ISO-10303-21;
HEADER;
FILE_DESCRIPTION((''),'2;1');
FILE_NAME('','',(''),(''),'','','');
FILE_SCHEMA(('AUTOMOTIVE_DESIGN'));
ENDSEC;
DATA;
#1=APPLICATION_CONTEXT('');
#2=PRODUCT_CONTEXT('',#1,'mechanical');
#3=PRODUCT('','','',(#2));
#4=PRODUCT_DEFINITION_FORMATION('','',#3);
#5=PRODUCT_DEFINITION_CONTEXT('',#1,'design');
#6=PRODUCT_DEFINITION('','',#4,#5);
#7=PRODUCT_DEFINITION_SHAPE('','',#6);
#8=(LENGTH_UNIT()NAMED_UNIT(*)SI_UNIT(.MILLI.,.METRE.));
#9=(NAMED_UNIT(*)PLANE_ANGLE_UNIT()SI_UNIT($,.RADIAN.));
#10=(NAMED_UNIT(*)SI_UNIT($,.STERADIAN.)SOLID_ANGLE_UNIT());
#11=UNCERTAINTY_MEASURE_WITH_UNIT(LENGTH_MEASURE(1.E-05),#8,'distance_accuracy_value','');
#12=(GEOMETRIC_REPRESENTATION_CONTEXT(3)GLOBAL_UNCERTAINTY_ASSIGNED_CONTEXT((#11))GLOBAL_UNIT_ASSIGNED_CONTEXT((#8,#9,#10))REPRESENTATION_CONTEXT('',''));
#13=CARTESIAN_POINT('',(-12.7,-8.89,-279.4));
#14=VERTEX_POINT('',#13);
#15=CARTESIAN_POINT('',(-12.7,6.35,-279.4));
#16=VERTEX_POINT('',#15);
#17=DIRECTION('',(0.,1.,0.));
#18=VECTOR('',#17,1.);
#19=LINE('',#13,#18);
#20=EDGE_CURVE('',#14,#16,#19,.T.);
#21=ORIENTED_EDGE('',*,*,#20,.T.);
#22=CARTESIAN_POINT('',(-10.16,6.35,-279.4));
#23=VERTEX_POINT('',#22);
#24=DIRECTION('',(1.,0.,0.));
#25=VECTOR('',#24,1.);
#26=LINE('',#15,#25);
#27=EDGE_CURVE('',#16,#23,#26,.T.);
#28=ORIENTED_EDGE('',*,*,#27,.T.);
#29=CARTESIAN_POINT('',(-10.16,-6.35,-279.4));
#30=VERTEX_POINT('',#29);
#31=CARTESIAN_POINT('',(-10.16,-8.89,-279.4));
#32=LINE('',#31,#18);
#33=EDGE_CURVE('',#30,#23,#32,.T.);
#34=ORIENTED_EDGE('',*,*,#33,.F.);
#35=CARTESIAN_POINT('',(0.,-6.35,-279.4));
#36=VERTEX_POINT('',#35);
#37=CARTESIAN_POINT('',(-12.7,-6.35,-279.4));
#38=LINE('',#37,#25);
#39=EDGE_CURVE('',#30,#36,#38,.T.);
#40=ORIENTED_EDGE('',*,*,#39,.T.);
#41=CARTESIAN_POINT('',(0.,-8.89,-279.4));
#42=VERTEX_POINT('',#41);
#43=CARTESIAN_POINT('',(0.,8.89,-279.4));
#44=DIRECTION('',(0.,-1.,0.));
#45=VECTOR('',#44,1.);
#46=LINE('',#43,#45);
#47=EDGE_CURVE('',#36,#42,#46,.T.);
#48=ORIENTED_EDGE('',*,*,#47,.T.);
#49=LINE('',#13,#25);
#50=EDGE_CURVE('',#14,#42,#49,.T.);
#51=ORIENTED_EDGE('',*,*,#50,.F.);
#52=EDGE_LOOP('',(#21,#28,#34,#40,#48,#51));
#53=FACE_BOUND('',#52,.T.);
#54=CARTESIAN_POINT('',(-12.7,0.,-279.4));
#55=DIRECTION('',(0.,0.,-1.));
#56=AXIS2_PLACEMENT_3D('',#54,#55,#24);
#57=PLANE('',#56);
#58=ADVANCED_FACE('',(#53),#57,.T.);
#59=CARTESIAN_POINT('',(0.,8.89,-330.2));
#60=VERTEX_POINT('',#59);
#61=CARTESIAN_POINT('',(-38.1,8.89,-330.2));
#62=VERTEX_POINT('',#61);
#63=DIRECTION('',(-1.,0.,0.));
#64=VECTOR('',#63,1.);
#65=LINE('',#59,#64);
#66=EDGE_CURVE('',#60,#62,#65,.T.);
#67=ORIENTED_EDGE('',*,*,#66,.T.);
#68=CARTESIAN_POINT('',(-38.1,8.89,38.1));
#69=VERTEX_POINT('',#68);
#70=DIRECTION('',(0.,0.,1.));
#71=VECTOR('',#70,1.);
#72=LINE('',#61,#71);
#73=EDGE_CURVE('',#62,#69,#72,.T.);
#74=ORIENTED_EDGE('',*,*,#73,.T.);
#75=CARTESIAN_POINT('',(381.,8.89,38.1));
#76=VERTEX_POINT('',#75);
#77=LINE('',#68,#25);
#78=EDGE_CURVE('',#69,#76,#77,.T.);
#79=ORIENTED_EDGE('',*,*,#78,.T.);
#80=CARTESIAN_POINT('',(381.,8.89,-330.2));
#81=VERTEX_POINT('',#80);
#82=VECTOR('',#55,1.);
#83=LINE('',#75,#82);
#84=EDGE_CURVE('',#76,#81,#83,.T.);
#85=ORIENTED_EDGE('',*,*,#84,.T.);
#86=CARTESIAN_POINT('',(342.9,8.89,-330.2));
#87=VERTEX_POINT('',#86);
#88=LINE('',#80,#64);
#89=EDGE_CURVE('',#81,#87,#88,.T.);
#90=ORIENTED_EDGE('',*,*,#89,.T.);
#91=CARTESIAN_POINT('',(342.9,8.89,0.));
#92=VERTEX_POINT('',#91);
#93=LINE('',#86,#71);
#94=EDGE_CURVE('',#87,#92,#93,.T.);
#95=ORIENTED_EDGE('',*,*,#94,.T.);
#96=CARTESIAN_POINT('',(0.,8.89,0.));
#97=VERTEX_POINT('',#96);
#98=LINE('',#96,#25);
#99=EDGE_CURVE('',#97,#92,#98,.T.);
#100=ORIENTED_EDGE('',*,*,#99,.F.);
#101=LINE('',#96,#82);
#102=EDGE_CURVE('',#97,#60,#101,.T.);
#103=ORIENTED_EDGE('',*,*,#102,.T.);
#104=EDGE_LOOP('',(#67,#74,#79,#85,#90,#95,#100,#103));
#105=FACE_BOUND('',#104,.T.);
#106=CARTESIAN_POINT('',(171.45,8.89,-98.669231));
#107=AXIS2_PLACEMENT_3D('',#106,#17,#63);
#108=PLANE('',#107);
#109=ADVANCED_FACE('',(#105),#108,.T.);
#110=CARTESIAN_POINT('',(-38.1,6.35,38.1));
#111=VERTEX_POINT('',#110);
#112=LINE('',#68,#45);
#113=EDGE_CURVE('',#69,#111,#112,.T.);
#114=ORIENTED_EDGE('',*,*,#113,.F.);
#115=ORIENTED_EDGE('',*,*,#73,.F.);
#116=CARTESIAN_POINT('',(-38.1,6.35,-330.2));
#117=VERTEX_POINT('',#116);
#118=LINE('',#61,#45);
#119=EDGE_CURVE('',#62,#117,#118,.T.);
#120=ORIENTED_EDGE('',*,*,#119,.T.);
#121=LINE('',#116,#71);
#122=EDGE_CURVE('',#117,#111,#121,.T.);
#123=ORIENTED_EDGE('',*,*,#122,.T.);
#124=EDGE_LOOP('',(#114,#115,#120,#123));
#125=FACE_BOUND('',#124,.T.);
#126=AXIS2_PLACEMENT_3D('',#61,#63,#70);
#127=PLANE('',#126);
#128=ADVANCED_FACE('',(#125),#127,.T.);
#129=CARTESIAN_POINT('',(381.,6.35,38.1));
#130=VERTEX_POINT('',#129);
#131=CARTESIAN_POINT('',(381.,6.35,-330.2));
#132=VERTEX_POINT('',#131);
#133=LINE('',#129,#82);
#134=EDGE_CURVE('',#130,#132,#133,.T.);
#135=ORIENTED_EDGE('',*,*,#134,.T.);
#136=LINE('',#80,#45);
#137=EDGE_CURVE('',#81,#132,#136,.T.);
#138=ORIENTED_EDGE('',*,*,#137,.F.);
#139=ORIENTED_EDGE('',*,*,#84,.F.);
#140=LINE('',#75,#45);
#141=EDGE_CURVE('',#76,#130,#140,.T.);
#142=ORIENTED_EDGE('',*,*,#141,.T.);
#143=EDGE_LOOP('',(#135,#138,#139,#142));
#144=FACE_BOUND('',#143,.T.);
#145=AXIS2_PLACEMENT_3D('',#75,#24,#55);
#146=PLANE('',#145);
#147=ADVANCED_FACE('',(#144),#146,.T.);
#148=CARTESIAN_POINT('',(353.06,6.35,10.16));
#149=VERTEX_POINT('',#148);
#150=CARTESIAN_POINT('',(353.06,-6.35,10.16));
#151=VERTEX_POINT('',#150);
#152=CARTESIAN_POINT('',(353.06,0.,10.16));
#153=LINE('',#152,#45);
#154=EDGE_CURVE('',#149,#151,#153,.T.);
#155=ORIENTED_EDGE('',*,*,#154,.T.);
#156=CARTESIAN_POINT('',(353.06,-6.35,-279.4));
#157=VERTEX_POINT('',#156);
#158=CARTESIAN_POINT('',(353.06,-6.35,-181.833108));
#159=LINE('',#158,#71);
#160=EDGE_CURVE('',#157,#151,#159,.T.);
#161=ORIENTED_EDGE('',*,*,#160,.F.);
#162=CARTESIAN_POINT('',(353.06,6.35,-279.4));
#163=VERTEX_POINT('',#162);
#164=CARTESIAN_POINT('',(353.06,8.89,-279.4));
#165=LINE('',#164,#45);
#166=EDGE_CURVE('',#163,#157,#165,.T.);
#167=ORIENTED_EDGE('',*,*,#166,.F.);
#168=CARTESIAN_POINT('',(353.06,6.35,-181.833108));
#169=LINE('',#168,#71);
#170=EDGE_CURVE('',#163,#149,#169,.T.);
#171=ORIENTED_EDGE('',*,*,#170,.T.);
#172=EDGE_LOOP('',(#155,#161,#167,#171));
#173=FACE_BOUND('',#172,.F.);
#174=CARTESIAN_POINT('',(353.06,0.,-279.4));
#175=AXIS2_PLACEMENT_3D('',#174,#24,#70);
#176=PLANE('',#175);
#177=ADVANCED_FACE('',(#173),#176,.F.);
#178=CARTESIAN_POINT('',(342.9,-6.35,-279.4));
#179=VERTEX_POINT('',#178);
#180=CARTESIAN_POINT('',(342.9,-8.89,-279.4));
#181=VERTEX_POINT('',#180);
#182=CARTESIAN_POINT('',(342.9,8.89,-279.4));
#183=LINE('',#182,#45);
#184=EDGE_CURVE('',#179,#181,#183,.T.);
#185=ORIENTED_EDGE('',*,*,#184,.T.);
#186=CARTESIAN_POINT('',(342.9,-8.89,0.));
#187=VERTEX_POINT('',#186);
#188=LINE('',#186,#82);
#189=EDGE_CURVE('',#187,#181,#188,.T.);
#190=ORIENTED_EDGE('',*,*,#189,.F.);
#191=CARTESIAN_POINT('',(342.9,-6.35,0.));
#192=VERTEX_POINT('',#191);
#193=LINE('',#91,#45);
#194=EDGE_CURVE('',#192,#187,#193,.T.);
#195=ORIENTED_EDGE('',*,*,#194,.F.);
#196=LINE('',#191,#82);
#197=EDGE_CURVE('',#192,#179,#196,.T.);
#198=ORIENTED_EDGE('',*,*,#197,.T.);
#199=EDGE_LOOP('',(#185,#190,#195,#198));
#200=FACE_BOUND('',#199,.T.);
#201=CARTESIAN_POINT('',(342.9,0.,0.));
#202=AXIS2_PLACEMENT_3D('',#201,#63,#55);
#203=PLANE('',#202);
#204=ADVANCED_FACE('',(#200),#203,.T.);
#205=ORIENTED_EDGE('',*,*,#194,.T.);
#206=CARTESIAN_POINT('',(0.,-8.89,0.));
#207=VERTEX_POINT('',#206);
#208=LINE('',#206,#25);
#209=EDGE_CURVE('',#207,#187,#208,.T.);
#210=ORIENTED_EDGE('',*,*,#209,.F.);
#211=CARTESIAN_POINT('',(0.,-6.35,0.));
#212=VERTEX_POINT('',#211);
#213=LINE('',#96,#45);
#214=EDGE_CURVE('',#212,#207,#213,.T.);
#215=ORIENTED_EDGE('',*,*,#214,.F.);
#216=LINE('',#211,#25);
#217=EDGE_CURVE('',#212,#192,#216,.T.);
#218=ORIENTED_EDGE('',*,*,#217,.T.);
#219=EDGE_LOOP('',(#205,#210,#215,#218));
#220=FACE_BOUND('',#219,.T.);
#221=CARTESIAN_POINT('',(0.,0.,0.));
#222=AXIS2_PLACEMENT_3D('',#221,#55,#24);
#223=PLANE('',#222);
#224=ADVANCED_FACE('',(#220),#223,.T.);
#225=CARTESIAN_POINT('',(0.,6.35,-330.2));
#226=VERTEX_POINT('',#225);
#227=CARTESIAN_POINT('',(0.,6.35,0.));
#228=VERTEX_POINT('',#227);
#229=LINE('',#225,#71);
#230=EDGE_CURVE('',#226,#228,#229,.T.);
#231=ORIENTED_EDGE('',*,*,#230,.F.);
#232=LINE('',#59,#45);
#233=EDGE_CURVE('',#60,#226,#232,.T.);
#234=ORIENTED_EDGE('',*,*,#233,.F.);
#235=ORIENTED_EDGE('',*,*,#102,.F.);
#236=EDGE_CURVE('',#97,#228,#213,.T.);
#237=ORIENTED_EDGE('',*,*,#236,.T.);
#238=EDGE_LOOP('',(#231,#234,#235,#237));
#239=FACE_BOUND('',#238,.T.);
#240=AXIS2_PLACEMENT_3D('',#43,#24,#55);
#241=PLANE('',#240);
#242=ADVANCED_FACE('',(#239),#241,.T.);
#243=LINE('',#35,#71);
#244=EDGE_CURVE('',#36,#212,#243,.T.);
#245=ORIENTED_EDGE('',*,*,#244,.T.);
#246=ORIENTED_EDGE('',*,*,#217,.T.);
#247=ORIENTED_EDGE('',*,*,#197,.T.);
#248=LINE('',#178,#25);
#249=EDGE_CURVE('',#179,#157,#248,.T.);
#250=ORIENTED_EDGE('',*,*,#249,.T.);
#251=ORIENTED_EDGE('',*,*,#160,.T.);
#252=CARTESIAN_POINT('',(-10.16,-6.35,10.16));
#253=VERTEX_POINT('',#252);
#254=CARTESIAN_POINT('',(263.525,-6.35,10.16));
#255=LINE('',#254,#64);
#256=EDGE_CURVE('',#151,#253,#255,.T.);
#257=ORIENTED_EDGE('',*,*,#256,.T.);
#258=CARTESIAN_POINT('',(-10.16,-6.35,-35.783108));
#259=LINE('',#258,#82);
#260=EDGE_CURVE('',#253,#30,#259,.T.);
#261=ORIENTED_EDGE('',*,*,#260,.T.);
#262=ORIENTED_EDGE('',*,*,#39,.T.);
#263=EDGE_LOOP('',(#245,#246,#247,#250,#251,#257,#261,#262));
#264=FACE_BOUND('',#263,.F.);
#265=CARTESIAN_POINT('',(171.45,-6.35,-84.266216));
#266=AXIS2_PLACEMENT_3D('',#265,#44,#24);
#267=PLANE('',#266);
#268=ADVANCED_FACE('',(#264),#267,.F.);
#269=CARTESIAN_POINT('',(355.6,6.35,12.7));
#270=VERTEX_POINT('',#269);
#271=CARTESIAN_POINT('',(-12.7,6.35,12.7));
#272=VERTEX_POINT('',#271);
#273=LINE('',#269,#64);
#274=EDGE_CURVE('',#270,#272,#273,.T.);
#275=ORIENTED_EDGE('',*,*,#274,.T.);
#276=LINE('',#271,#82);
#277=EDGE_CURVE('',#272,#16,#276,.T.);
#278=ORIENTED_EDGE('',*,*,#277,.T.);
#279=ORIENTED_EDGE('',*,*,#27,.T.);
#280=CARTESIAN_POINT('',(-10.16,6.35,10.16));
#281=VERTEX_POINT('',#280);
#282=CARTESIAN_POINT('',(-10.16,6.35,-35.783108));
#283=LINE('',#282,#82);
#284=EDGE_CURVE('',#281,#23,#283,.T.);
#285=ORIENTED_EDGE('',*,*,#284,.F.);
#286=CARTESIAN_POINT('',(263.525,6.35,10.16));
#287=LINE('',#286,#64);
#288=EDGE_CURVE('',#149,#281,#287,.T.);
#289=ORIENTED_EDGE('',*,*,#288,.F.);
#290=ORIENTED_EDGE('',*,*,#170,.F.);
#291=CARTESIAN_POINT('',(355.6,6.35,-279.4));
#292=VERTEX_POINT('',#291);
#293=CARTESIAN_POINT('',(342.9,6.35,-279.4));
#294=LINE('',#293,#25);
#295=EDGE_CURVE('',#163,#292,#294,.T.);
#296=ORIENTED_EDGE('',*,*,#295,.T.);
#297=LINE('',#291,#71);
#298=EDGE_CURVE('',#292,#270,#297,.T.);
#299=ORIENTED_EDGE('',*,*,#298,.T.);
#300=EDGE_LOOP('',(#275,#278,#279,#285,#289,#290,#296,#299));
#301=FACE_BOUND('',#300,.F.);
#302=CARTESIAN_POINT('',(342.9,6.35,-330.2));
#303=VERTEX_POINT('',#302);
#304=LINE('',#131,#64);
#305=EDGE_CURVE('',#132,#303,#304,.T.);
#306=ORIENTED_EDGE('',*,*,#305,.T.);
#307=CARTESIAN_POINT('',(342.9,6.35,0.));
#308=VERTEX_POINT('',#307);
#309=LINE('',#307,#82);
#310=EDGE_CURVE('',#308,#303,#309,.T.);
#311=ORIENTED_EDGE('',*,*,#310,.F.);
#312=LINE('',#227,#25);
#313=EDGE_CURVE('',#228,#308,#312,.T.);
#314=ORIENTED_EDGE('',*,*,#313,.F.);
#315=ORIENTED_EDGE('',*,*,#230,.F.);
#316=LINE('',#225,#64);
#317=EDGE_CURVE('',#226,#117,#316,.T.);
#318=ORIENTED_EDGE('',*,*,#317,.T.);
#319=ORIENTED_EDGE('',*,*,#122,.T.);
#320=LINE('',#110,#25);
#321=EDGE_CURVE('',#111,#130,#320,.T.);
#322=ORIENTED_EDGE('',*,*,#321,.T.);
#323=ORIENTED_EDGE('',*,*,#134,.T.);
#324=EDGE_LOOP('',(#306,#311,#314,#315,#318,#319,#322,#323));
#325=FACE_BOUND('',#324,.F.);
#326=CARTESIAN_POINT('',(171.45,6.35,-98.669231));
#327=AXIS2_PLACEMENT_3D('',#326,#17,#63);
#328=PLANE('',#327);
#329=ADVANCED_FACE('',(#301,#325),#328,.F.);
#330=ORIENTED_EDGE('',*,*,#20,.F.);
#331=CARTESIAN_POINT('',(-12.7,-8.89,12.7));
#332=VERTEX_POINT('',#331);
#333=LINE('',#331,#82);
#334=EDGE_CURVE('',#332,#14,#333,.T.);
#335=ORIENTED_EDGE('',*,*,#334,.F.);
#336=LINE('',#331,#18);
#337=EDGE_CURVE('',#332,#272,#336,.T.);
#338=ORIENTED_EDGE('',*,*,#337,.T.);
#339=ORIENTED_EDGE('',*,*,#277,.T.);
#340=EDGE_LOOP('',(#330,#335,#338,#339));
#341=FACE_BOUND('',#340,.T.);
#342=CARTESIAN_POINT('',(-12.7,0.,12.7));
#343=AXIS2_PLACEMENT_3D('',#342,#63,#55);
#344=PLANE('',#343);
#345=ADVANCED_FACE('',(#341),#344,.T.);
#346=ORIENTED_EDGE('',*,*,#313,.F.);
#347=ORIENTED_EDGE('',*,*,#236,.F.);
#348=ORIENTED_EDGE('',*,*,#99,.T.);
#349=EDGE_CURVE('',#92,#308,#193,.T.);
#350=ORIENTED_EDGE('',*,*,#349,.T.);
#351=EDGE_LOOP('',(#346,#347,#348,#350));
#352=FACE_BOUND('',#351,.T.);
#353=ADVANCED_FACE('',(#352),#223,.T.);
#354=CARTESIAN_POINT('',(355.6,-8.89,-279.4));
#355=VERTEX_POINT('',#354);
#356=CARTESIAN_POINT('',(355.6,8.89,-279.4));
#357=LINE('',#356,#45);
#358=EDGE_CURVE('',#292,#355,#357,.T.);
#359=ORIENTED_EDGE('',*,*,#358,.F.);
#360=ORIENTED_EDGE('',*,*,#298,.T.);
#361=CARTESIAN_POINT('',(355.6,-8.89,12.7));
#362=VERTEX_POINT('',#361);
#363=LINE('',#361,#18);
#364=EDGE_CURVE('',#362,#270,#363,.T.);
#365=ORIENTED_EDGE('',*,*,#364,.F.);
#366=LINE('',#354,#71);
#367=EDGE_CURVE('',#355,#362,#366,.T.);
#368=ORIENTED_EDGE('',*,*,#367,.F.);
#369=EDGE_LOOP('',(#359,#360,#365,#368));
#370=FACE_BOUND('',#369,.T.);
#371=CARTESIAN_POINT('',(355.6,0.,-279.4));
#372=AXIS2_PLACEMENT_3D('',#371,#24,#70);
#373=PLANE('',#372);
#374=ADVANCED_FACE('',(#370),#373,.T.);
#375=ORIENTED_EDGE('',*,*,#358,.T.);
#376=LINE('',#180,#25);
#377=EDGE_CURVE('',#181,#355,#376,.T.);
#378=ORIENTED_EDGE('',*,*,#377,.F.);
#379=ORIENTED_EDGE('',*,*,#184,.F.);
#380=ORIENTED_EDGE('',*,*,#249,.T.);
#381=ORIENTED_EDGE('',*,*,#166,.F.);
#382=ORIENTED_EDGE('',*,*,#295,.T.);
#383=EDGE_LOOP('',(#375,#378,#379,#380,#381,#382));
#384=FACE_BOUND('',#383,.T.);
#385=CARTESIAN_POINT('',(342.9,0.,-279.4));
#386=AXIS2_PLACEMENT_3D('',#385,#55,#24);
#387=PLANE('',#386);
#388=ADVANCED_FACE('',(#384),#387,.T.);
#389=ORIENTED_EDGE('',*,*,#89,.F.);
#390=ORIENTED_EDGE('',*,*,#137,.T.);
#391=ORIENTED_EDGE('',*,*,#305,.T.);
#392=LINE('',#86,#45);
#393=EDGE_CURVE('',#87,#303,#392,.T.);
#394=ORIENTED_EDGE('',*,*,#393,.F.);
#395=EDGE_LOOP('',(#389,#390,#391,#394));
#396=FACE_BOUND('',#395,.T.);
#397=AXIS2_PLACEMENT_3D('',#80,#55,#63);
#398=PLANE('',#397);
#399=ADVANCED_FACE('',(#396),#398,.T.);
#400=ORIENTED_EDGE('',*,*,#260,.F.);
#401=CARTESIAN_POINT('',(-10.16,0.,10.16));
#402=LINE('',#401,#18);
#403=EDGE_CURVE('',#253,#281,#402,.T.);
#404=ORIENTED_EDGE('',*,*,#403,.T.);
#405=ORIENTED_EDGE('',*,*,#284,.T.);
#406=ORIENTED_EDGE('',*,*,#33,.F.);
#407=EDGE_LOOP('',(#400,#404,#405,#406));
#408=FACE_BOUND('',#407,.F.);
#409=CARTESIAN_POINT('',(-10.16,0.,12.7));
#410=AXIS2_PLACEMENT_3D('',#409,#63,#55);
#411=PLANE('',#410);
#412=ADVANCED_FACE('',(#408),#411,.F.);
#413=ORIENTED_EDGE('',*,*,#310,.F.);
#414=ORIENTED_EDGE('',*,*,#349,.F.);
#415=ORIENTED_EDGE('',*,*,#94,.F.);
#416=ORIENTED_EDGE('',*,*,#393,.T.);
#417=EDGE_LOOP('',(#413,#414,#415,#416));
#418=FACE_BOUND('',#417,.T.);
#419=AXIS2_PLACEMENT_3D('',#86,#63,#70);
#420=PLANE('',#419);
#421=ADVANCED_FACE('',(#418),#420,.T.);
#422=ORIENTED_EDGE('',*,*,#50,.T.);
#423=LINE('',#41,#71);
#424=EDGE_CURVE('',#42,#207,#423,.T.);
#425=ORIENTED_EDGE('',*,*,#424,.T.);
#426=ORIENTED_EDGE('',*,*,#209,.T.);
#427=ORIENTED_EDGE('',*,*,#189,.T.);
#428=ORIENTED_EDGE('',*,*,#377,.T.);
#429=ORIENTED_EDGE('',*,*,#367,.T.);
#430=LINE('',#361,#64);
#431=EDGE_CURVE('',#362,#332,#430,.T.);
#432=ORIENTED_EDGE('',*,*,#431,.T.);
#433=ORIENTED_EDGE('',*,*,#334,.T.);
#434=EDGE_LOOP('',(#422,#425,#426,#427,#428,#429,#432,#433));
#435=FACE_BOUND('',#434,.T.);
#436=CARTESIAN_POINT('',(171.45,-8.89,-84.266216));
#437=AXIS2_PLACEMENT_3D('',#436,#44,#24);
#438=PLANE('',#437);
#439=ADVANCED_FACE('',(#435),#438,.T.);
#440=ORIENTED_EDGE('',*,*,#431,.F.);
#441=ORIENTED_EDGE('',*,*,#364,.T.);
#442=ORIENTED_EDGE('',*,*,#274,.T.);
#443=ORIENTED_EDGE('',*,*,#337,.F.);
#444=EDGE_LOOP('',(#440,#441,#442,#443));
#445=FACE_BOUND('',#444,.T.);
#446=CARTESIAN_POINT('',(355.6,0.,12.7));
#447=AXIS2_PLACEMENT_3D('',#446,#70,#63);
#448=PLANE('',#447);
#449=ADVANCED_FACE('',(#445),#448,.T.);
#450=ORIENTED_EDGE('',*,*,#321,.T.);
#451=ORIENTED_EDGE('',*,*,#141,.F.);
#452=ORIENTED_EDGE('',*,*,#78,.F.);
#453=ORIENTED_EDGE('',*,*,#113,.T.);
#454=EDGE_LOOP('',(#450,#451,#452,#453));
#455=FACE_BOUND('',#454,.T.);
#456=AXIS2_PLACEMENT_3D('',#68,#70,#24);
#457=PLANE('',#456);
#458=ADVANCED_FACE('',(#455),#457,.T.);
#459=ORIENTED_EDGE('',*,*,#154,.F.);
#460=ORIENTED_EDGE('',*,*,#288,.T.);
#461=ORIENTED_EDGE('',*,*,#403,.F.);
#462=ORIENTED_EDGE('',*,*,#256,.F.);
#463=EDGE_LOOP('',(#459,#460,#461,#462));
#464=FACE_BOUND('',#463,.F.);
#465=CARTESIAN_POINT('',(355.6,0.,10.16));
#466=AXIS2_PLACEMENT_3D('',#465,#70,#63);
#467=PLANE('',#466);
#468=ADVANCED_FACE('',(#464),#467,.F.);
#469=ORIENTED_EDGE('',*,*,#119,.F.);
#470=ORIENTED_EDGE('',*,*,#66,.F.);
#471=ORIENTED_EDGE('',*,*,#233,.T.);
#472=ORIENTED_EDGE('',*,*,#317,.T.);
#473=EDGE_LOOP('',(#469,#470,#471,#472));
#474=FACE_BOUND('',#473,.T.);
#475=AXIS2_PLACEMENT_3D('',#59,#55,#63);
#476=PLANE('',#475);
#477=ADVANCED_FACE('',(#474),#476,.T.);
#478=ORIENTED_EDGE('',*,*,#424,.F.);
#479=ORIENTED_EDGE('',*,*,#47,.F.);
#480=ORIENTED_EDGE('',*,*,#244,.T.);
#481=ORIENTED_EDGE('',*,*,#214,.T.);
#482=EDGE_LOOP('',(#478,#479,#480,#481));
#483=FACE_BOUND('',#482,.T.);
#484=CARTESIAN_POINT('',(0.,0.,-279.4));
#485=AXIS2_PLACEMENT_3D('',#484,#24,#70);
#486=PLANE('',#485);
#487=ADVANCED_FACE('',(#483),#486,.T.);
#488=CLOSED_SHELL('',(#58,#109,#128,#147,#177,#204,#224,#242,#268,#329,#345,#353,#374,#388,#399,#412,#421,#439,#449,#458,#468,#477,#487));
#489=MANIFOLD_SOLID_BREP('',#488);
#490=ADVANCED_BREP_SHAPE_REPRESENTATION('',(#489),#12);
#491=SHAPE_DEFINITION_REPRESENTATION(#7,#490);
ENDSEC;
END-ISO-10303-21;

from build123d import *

# Parameters (mm, degrees)
F1_DEPTH = 8.89
F2_T     = -2.54
F4_DEPTH = 2.54


with BuildPart() as f1:
    # F0 (on Front) → F1 (new body, symmetric)
    with BuildSketch(Plane.XZ):
        Polygon((-12.7, -279.4), (0, -279.4), (0, 0), (342.9, 0), (342.9, -279.4), (355.6, -279.4), (355.6, 12.7), (-12.7, 12.7), align=None)
    extrude(amount=F1_DEPTH, both=True)

    # F2
    f2_openings = [f1.faces().sort_by_distance(p)[0] for p in [
        (171.45, 0, 0),
        (0, 0, -139.7),
        (-6.35, 0, -279.4),
        (342.9, 0, -139.7),
        (349.25, 0, -279.4),
    ]]
    offset(amount=F2_T, openings=f2_openings)

    # F3 (on face) → F4 (join)
    with BuildSketch(Plane(origin=(0, 8.89, 0), x_dir=(-1, 0, 0), z_dir=(0, 1, 0))):
        Polygon((-381, 38.1), (-381, -330.2), (-342.9, -330.2), (-342.9, -279.4), (-355.6, -279.4), (-355.6, 12.7), (12.7, 12.7), (12.7, -279.4), (0, -279.4), (0, -330.2), (38.1, -330.2), (38.1, 38.1), align=None)
    extrude(amount=-F4_DEPTH)


solid = f1.part
